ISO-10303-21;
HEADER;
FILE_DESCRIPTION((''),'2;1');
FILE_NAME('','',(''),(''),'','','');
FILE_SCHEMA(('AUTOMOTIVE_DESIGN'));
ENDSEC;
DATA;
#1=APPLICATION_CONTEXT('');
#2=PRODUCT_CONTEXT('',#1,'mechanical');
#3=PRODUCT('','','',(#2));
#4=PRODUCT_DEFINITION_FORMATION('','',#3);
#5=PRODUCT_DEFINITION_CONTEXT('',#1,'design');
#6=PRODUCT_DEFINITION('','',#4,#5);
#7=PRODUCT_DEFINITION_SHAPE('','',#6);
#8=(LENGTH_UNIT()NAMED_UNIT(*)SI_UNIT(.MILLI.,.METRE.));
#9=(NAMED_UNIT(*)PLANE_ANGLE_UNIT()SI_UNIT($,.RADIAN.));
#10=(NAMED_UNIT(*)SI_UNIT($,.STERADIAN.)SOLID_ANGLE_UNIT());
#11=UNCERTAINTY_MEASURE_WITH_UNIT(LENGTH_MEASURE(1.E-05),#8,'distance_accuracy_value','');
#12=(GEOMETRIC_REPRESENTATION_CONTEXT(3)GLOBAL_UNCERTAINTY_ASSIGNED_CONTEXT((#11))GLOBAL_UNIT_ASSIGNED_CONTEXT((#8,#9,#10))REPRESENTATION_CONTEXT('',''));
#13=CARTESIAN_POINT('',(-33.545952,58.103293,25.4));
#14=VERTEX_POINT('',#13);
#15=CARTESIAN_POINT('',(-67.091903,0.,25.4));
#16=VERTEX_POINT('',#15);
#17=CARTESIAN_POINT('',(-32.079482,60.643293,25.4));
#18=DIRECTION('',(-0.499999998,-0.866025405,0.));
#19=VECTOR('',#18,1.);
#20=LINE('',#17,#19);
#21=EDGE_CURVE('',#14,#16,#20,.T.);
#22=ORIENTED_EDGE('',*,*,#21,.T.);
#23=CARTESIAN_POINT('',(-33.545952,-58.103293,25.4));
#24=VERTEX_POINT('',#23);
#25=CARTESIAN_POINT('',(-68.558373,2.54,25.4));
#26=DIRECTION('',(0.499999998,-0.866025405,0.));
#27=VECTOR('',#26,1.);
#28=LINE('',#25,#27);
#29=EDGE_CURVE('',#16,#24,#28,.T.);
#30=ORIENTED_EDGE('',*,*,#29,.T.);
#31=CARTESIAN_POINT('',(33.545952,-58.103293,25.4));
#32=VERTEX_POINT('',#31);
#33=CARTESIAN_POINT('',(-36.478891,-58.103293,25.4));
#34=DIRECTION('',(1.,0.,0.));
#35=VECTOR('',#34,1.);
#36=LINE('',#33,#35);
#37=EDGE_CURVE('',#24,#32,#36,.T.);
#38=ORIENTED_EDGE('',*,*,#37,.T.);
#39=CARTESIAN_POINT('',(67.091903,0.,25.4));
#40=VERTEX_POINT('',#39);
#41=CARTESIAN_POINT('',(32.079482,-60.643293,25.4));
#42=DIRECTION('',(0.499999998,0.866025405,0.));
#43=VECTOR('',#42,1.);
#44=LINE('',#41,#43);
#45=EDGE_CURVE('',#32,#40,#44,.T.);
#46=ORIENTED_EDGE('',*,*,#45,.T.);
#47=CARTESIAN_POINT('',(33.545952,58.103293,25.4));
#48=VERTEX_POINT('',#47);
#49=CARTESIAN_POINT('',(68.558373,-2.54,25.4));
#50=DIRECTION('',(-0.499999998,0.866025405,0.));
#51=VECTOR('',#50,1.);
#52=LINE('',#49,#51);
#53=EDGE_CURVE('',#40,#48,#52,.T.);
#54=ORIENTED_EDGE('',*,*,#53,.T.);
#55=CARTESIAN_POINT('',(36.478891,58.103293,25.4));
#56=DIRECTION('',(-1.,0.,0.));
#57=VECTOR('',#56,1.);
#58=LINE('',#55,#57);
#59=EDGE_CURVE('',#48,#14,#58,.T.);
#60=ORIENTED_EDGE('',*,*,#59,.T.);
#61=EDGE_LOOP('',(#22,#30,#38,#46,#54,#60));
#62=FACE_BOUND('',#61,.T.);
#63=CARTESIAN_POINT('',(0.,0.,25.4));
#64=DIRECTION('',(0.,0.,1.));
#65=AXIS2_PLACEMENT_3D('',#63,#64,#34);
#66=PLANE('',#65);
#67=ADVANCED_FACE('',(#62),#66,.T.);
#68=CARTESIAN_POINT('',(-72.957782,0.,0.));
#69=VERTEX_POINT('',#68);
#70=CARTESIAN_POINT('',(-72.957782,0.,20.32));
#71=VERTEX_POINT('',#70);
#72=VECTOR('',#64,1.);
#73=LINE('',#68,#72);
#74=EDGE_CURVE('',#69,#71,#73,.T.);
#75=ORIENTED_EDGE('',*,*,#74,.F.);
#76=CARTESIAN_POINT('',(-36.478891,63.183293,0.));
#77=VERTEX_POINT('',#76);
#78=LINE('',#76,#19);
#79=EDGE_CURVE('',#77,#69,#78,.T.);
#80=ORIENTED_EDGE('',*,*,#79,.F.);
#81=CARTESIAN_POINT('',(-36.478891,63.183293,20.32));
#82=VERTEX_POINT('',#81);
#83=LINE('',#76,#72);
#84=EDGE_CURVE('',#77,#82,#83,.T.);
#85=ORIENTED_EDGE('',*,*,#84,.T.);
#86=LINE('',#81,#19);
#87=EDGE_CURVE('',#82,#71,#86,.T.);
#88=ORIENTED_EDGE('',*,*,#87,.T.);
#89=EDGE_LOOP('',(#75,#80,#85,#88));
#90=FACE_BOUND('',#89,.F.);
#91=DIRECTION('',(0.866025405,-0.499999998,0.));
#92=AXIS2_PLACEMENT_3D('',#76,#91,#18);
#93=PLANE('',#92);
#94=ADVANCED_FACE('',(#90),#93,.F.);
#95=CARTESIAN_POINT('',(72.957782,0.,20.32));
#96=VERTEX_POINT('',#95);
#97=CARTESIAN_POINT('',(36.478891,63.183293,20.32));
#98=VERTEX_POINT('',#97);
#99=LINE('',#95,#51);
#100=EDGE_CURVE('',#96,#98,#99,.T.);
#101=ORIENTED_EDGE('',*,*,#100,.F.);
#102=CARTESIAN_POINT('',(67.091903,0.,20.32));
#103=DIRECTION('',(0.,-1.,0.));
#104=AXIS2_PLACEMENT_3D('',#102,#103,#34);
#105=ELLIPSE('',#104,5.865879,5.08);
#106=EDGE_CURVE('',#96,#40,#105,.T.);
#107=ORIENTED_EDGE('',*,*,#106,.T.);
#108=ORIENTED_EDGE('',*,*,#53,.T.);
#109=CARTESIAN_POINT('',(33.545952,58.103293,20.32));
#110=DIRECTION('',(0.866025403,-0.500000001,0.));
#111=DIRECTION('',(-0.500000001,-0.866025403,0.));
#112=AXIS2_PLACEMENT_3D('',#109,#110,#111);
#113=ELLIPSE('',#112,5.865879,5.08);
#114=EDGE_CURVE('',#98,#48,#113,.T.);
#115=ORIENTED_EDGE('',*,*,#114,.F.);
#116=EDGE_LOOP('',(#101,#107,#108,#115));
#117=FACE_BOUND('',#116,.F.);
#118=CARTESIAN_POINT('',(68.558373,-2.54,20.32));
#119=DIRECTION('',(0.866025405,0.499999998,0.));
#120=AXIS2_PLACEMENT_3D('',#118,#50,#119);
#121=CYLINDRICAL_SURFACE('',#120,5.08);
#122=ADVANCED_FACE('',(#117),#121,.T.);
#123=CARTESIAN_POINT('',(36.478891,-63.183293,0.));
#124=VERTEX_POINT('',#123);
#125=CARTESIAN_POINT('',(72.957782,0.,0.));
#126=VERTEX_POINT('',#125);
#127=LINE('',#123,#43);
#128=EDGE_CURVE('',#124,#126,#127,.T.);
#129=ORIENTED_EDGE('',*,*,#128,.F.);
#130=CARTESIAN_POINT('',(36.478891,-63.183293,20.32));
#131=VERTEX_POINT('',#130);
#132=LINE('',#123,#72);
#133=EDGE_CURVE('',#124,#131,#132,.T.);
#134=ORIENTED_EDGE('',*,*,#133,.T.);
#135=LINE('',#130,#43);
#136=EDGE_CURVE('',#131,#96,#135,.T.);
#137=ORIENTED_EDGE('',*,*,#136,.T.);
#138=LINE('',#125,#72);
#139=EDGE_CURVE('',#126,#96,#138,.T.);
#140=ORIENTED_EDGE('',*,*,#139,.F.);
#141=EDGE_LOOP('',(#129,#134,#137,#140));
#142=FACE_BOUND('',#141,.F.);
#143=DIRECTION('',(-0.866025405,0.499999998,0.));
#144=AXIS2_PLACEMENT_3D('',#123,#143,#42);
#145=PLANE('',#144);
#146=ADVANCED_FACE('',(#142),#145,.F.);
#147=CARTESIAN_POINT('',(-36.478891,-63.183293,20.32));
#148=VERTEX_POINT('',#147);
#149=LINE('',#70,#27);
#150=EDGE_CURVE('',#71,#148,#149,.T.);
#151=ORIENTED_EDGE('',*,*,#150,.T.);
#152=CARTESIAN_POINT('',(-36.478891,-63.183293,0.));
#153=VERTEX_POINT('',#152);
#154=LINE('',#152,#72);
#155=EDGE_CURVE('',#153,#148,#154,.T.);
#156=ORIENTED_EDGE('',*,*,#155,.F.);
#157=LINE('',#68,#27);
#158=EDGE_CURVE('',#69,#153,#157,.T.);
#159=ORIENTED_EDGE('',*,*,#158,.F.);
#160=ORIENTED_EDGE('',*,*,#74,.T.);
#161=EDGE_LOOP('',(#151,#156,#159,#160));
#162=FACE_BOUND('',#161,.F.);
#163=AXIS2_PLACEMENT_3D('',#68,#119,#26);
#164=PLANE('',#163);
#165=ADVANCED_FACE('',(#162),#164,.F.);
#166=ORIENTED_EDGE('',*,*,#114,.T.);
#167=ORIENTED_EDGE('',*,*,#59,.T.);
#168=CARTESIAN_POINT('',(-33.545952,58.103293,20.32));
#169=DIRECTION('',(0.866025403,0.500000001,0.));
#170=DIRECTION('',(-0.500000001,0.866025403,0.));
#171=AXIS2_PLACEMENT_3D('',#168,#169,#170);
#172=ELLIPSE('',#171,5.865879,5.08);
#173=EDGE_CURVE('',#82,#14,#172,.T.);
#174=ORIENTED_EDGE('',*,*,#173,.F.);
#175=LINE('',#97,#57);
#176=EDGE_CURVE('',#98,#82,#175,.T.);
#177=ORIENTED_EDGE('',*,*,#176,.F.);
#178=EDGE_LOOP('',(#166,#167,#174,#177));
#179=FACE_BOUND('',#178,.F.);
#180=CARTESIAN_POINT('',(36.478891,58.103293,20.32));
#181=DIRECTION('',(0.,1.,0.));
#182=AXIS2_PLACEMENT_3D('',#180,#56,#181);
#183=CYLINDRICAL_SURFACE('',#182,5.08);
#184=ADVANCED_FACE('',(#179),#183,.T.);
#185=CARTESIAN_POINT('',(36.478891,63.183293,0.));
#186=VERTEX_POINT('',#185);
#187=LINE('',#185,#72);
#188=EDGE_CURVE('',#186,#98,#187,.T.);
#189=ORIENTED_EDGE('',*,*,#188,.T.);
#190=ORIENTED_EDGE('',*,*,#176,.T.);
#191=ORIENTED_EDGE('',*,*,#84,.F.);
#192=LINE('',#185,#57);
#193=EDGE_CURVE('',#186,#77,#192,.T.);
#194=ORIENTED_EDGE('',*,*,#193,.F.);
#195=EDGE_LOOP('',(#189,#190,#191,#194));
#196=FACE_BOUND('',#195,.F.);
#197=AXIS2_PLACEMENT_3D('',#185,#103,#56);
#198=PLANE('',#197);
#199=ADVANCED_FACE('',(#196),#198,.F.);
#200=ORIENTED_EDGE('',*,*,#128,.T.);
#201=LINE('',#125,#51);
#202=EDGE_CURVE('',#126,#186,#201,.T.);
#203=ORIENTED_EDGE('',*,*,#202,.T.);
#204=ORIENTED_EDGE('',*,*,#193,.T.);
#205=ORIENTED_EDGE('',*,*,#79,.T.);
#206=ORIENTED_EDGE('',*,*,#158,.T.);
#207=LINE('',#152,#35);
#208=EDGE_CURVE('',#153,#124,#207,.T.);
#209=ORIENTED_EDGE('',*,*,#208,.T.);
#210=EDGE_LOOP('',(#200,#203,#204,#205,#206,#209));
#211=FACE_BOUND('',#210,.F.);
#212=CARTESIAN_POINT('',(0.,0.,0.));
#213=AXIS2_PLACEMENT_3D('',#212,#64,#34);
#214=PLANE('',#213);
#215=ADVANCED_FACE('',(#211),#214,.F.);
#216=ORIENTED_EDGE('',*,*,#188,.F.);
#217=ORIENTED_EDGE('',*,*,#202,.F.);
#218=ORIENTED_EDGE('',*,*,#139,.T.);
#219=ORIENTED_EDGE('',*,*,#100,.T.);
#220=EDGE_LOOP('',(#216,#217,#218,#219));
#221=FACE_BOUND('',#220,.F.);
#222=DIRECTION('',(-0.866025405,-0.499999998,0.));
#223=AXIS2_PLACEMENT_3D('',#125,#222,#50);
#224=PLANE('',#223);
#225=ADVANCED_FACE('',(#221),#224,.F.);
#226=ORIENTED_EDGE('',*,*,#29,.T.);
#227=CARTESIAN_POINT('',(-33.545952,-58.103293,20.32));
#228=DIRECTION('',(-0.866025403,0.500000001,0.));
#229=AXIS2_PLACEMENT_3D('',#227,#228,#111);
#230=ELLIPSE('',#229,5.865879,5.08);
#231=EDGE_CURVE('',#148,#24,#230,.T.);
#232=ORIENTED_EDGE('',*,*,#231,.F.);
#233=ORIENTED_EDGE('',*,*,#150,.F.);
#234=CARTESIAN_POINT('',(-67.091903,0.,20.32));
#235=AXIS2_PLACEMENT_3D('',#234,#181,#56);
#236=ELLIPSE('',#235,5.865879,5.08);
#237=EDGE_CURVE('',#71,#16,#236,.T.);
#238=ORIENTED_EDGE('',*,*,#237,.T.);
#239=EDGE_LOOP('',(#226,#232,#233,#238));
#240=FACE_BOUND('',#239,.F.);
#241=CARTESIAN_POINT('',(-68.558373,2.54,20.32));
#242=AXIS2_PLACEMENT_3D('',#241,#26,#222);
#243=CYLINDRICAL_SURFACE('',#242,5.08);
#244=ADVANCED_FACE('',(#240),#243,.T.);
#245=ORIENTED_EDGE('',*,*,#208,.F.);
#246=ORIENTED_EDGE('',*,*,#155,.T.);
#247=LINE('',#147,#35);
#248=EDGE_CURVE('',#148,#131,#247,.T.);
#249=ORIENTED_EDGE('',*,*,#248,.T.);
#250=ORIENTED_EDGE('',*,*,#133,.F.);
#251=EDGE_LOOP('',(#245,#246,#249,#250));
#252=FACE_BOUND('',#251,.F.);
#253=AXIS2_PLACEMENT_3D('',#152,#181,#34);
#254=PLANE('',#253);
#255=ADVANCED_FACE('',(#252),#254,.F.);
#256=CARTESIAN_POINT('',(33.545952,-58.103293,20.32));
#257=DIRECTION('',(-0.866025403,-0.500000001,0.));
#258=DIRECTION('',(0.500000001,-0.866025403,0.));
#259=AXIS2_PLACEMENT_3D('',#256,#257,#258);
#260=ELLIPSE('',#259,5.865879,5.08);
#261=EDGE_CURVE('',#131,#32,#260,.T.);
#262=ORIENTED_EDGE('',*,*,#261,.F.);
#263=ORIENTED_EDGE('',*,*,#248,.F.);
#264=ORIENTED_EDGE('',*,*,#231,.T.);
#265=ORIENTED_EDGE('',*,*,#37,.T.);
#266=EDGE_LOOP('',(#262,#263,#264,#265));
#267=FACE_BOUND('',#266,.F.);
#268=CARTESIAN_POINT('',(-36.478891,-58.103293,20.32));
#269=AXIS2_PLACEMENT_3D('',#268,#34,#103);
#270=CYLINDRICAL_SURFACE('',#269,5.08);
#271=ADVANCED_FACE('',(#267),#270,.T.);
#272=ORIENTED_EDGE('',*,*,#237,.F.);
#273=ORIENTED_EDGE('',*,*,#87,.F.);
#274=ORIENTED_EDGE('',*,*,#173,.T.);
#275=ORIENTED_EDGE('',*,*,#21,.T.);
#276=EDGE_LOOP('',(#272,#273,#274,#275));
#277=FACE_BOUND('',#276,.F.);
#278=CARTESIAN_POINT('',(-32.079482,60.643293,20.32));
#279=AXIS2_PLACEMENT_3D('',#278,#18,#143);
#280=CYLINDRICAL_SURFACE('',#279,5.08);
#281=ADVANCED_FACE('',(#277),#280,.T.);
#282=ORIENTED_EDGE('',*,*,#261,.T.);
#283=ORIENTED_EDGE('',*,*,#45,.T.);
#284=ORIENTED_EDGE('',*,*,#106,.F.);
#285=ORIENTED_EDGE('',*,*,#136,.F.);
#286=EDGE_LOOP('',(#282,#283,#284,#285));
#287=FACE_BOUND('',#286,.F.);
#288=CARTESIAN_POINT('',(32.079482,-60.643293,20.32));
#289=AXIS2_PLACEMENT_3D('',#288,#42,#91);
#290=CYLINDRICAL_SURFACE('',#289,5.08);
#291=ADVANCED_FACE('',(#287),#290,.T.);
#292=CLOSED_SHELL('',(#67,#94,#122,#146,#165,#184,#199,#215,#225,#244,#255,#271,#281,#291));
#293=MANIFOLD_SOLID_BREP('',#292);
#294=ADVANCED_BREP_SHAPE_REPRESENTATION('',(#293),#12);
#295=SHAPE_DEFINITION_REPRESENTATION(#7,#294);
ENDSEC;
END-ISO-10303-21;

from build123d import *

# Parameters (mm, degrees)
F1_DEPTH = 25.4
F2_R     = 5.08


with BuildPart() as f1:
    # F0 (on Top) → F1 (new body)
    with BuildSketch(Plane.XY):
        Polygon((36.478891, 63.183293), (-36.478891, 63.183293), (-72.957782, 0), (-36.478891, -63.183293), (36.478891, -63.183293), (72.957782, 0), align=None)
    extrude(amount=F1_DEPTH)

    # F2
    f2_edges = [f1.edges().sort_by_distance(p)[0] for p in [
        (0, 63.183293, 25.4),
        (-54.718337, 31.591646, 25.4),
        (-54.718337, -31.591646, 25.4),
        (0, -63.183293, 25.4),
        (54.718337, -31.591646, 25.4),
        (54.718337, 31.591646, 25.4),
    ]]
    fillet(f2_edges, radius=F2_R)


solid = f1.part
